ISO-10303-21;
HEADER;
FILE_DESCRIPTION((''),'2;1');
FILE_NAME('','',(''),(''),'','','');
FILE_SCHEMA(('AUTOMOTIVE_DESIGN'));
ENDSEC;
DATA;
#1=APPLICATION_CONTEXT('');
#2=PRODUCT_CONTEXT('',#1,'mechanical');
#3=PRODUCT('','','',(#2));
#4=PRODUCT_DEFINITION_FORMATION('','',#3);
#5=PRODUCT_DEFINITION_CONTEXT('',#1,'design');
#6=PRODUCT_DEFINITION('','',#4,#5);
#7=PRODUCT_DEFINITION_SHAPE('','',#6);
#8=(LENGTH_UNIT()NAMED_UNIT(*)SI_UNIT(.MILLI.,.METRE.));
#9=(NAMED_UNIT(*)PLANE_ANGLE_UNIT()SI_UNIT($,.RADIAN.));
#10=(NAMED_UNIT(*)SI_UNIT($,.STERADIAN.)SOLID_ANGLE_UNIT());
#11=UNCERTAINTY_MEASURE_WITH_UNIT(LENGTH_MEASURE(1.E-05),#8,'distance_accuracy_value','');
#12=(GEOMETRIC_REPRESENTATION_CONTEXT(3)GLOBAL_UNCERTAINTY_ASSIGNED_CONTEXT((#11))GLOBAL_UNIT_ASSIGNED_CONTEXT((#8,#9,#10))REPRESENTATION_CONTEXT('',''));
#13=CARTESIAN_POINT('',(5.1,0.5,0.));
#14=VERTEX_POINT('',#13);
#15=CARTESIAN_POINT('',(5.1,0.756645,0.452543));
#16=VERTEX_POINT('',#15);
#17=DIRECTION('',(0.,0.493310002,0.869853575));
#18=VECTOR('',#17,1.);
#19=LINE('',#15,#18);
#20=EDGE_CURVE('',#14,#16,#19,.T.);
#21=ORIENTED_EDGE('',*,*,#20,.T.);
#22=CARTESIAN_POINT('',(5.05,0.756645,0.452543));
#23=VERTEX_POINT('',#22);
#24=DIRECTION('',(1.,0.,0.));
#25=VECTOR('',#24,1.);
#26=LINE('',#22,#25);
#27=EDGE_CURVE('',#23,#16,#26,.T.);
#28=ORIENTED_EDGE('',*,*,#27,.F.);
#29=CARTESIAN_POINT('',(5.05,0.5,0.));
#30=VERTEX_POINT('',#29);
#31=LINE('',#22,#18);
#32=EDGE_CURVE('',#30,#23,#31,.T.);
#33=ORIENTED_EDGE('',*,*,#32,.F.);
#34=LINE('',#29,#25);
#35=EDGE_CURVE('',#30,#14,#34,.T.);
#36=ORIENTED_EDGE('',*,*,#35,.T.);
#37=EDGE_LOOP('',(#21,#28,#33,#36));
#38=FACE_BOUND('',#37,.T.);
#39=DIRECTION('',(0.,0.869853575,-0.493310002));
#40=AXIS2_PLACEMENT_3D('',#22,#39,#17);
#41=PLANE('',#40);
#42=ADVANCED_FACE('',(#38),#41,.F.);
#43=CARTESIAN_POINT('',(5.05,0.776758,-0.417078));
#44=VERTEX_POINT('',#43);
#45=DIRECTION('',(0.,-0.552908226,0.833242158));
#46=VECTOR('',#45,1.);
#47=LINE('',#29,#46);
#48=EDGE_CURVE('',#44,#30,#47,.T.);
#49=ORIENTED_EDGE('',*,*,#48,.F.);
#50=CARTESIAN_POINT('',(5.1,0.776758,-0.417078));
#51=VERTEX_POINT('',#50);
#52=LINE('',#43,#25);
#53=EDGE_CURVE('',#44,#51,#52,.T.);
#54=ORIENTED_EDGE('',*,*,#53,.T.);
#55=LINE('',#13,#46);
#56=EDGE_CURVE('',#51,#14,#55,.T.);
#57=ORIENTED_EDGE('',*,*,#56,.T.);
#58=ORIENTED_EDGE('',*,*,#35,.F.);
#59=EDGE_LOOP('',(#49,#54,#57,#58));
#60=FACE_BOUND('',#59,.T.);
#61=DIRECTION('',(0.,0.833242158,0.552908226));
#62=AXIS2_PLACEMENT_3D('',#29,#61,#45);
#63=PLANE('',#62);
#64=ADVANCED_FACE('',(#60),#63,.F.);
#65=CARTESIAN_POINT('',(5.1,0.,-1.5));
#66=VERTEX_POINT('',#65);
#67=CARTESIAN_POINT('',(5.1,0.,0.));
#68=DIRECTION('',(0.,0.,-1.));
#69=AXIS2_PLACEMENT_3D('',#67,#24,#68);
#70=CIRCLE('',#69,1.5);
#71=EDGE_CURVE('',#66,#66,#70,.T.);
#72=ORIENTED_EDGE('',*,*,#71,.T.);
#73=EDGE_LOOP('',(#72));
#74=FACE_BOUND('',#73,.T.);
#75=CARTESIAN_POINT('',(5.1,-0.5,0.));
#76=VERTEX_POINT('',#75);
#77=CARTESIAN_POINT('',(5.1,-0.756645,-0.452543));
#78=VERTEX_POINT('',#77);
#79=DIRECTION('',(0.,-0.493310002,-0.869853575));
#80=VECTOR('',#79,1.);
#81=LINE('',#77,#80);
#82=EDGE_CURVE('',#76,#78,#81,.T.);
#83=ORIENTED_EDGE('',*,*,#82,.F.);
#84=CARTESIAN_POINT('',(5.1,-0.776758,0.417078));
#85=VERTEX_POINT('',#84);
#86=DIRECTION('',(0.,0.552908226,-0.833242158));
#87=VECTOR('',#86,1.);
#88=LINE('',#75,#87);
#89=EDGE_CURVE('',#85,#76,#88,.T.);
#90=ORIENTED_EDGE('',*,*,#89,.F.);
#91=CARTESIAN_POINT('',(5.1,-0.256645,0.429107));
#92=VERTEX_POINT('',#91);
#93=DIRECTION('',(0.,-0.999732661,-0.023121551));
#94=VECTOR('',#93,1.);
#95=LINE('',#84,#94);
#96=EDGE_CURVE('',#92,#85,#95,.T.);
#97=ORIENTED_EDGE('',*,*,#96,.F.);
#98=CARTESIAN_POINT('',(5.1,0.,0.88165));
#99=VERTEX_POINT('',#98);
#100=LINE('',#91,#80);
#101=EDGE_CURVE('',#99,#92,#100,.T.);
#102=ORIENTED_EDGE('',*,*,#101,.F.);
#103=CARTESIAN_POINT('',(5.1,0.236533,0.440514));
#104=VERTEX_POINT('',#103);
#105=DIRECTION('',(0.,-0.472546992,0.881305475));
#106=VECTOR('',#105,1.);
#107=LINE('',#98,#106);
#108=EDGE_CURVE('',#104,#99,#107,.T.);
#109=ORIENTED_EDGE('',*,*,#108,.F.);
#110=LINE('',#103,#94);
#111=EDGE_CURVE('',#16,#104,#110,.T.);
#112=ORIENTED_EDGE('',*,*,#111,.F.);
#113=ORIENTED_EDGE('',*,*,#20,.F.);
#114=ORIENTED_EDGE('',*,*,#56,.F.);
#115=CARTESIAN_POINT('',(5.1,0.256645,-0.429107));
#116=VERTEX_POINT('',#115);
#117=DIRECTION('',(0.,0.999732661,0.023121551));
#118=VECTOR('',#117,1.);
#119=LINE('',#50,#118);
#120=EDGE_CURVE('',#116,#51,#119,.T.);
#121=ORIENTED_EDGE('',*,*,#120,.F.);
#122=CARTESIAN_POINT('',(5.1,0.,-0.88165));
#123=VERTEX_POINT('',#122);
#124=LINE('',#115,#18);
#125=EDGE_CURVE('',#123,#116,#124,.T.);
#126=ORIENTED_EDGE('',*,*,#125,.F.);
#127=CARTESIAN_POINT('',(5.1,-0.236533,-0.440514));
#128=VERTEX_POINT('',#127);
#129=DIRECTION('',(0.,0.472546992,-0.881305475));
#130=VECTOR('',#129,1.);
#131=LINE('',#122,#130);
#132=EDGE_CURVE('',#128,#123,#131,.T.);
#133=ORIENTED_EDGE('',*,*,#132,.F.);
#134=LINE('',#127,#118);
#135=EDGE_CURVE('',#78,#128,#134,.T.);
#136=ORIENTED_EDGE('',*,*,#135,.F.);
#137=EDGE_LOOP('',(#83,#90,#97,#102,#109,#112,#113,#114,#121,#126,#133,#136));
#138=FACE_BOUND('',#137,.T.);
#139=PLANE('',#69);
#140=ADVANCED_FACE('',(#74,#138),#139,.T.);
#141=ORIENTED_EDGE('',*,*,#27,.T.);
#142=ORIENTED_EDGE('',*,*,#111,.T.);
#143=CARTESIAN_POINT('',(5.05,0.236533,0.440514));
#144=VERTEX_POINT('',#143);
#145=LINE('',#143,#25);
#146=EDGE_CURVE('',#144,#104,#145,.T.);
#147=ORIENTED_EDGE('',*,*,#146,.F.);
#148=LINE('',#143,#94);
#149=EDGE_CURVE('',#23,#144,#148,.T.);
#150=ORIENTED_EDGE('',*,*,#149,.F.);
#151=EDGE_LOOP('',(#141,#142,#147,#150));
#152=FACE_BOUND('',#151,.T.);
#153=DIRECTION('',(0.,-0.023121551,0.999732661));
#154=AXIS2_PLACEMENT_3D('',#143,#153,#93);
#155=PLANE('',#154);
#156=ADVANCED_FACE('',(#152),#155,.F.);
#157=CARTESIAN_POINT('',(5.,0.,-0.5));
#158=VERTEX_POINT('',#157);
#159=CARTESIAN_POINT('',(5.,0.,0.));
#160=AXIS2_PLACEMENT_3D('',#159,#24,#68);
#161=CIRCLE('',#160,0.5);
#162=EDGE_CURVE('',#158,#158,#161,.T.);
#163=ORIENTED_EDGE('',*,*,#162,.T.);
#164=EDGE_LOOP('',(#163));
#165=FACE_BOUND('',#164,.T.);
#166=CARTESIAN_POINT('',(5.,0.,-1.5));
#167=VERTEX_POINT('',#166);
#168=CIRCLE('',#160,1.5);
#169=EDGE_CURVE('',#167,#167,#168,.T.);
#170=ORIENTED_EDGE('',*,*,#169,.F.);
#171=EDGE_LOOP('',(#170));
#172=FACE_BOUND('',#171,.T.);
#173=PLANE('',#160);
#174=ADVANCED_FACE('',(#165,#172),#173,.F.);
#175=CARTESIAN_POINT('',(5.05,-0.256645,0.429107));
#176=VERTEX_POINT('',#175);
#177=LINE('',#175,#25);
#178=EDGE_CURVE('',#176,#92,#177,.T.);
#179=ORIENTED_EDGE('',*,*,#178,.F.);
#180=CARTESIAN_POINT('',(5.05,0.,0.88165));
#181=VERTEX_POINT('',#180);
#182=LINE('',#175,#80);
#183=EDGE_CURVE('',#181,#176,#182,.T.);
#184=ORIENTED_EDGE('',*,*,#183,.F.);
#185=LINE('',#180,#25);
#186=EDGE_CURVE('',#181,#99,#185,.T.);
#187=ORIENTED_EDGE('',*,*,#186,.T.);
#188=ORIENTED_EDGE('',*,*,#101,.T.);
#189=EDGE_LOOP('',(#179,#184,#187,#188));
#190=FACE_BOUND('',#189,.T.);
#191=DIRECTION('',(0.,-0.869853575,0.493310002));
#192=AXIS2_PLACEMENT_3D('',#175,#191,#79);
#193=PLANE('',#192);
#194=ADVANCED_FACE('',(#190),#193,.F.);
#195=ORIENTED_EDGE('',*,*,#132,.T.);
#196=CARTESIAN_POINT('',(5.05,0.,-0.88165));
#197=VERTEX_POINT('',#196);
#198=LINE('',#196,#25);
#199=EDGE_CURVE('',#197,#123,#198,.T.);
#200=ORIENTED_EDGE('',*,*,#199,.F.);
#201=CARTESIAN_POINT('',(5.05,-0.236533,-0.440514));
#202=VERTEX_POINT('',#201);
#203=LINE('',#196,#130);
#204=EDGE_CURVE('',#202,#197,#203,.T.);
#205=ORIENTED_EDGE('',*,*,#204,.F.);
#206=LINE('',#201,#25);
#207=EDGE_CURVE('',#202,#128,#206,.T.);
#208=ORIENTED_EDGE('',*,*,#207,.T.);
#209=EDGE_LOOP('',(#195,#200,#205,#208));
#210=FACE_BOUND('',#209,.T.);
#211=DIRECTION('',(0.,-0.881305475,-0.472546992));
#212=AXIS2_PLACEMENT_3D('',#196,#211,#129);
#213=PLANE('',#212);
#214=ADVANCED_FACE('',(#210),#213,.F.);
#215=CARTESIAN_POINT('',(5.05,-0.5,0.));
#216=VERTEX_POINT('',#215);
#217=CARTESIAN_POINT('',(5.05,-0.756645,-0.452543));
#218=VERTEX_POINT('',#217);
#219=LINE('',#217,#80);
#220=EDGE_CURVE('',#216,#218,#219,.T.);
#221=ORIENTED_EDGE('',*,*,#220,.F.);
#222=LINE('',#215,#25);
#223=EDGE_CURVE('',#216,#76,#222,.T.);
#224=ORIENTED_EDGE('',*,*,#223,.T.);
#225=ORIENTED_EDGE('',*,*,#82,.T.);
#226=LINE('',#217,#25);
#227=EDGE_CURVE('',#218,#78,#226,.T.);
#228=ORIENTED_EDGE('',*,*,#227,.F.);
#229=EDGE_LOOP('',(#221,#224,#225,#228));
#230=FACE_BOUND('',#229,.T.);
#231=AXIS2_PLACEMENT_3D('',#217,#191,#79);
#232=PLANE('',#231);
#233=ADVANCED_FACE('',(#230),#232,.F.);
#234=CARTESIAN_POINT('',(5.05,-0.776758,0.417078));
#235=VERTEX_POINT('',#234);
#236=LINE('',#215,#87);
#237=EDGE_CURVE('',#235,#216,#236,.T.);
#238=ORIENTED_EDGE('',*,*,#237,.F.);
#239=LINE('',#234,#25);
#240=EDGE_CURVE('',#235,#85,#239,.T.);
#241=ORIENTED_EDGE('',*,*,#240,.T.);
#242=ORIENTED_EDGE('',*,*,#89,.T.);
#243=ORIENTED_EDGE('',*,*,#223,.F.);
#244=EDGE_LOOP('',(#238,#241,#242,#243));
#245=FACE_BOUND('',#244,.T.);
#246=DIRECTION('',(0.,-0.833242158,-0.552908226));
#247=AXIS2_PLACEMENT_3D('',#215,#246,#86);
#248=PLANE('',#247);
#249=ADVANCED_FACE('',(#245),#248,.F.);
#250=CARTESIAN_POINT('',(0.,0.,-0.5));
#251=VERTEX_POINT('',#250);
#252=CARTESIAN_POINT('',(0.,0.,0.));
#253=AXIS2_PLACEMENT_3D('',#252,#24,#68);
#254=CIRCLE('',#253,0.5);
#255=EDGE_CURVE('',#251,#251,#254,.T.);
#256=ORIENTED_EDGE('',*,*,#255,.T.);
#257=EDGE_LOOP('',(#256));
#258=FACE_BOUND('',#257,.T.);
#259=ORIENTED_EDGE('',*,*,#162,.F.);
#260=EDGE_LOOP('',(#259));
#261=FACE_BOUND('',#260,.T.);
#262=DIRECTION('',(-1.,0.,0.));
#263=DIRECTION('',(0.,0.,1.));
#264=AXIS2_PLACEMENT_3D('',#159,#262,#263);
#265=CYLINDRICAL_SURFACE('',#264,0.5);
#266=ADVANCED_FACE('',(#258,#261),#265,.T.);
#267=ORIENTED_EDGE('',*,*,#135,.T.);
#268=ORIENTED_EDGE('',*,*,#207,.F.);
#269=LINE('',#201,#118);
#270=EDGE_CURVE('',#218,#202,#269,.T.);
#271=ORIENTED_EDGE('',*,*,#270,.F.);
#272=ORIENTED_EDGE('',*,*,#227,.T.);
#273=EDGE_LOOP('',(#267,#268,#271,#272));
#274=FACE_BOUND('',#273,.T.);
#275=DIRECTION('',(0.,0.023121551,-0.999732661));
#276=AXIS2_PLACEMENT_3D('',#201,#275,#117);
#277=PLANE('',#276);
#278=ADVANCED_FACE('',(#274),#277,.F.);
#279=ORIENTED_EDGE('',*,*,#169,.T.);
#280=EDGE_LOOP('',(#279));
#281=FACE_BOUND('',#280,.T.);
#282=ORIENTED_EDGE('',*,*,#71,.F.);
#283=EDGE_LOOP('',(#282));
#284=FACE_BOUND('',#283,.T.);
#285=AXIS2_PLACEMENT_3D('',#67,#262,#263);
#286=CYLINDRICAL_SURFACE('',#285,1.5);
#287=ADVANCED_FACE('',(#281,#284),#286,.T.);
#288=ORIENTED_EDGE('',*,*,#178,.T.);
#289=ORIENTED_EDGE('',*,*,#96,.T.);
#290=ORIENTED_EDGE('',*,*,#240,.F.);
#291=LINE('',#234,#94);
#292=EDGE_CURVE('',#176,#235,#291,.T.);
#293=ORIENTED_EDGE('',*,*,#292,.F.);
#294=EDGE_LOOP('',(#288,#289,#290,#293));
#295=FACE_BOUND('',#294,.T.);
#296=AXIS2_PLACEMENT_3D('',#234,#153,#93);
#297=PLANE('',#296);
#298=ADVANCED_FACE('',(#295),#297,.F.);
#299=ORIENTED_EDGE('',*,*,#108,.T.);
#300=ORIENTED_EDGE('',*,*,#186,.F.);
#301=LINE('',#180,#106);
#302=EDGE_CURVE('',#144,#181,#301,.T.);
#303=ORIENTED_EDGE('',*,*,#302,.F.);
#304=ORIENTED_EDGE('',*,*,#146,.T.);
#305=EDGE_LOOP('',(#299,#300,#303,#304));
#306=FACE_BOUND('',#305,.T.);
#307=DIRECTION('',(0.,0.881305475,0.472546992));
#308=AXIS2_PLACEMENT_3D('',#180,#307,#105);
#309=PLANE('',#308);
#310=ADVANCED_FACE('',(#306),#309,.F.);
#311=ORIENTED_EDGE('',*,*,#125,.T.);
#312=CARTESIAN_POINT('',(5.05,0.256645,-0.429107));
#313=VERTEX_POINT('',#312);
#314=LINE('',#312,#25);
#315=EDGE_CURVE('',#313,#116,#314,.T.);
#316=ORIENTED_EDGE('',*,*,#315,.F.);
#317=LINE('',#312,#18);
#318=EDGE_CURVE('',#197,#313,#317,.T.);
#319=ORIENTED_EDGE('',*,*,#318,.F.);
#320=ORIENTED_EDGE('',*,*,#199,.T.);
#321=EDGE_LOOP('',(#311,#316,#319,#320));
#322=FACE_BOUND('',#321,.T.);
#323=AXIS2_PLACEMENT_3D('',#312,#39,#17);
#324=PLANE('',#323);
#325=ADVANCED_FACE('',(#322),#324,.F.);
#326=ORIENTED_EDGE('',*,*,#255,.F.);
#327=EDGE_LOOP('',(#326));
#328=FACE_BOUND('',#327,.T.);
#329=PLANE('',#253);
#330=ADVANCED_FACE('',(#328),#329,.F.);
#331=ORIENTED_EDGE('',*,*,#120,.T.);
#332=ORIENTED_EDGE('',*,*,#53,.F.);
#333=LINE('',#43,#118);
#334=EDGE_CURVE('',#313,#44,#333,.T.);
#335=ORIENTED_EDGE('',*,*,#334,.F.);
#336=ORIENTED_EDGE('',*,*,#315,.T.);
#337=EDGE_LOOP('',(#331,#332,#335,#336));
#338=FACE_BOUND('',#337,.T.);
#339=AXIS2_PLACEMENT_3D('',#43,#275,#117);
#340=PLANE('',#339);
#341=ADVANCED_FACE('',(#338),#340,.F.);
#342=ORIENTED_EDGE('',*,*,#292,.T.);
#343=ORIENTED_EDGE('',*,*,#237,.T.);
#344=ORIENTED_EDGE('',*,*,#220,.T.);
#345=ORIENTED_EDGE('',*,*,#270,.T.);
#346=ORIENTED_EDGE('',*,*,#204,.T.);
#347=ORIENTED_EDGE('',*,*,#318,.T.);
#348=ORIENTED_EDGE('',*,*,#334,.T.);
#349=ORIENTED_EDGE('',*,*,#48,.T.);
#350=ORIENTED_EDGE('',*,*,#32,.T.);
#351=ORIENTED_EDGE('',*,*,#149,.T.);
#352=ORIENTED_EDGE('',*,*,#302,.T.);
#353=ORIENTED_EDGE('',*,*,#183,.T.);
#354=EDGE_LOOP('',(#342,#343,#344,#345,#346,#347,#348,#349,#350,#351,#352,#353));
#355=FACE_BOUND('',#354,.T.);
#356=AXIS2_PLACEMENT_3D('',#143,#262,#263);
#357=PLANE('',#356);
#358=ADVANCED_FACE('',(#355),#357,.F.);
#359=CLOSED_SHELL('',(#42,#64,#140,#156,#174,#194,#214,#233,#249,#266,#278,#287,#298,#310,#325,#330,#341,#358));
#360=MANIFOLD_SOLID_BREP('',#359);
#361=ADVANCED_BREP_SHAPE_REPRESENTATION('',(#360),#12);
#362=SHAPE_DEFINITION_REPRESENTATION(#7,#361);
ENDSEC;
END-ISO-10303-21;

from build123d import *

# Parameters (mm, degrees)
CROQUIS1_R     = 0.5
EXTRUIR1_DEPTH = 5
CROQUIS2_R     = 1.5
EXTRUIR2_DEPTH = 0.1
EXTRUIR3_DEPTH = 0.05


with BuildPart() as part:
    # Croquis1 → Extruir1 (new body)
    with BuildSketch(Plane(origin=(0, 0, 0), x_dir=(0, 0, -1), z_dir=(1, 0, 0))):
        Circle(CROQUIS1_R)
    extrude(amount=EXTRUIR1_DEPTH)

    # Croquis2 → Extruir2 (add)
    with BuildSketch(Plane(origin=(5, 0, 0), x_dir=(0, 0, -1), z_dir=(1, 0, 0))):
        Circle(CROQUIS2_R)
    extrude(amount=EXTRUIR2_DEPTH)

    # Croquis3 → Extruir3 (cut)
    with BuildSketch(Plane(origin=(5.1, 0, 0), x_dir=(0, 0, -1), z_dir=(1, 0, 0))):
        Polygon((0.417078448, 0.776757606), (0.429107469, 0.256645242), (0.88165005, 0), (0.440513561, -0.236532879), (0.452542581, -0.756645242), (0, -0.5), (-0.417078448, -0.776757606), (-0.429107469, -0.256645242), (-0.88165005, 0), (-0.440513561, 0.236532879), (-0.452542581, 0.756645242), (0, 0.5), align=None)
    extrude(amount=-EXTRUIR3_DEPTH, mode=Mode.SUBTRACT)


solid = part.part
